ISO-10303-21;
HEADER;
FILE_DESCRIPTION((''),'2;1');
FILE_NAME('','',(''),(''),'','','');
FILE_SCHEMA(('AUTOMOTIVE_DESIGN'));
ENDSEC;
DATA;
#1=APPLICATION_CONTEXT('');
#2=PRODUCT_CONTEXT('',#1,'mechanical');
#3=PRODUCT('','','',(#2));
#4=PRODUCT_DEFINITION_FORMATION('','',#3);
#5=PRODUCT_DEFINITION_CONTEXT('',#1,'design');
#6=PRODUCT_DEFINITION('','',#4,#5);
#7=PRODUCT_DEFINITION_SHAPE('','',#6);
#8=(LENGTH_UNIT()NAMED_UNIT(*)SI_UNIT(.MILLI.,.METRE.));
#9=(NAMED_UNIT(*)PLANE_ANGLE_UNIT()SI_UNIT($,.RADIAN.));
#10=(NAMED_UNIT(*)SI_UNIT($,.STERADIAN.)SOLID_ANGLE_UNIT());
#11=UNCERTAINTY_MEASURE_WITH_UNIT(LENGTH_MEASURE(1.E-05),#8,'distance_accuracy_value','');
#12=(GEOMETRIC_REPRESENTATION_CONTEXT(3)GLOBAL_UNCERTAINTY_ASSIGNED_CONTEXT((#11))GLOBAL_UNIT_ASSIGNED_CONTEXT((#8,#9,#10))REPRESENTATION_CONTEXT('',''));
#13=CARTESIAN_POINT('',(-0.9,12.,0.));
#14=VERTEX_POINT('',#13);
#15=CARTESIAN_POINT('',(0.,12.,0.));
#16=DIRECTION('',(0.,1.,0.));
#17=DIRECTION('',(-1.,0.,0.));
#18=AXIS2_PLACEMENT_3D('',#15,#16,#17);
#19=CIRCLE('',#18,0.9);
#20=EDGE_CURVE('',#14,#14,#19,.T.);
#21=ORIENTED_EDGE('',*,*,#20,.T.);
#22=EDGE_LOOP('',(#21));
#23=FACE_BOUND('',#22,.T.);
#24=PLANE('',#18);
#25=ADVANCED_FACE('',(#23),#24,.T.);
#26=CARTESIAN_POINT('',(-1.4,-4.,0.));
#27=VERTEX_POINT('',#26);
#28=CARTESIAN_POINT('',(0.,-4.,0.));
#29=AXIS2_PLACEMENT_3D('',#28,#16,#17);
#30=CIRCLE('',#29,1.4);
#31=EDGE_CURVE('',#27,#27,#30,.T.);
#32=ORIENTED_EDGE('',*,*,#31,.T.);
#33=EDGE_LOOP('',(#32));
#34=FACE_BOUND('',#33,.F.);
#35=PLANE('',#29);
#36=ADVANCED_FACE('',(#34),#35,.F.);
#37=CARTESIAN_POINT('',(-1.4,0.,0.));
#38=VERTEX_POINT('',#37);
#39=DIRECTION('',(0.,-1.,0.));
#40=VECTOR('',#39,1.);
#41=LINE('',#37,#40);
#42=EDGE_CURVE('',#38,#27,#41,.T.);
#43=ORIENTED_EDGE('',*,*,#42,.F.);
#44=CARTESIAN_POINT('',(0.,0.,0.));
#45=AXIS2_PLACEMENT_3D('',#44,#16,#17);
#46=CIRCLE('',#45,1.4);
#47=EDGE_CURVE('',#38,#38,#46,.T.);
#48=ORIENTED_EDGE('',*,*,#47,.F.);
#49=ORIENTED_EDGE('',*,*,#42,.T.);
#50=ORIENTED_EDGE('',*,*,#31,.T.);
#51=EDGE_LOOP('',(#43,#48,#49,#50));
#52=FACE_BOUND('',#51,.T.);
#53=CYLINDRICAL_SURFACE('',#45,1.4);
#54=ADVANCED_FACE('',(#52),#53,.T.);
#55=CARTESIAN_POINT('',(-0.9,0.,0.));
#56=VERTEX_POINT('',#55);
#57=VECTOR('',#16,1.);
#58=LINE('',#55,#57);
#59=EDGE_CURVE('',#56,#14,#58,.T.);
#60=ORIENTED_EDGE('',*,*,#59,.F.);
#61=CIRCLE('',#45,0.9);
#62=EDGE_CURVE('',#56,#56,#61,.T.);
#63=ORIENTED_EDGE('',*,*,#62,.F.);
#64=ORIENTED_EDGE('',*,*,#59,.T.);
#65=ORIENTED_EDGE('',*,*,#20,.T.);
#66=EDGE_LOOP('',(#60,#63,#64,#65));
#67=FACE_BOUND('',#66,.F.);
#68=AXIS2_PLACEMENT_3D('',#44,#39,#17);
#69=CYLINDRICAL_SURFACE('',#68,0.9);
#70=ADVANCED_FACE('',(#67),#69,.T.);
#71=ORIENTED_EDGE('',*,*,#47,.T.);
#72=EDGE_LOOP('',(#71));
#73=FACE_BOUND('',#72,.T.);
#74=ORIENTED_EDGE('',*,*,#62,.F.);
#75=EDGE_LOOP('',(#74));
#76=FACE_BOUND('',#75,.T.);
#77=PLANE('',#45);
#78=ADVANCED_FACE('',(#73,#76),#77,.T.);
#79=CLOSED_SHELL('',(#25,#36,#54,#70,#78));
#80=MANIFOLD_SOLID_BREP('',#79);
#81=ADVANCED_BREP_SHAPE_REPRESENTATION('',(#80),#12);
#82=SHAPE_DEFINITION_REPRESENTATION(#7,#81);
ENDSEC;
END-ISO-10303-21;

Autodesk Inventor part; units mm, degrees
ref_plane "YZ Plane" through (0, 0, 0) normal (1, 0, 0) x (0, 1, 0)
ref_plane "XZ Plane" through (0, 0, 0) normal (0, 1, 0) x (-1, 0, 0)
ref_plane "XY Plane" through (0, 0, 0) normal (0, 0, 1) x (1, 0, 0)
sketch "Szkic1" plane through (0, 0, 0) normal (0, 1, 0) x (-1, 0, 0)
  circle A0 centre (0, 0) radius 1.4
  circle A1 centre (0, 0) radius 0.9
  dimension "d0" = 2.8
  dimension "d1" = 1.8
extrude "Wyciągnięcie proste1" add sketch "Szkic1" along normal blind 12 contours A1
extrude "Wyciągnięcie proste2" add sketch "Szkic1" against normal blind 4 contours A0 | A1
properties part number "Os_flower"
